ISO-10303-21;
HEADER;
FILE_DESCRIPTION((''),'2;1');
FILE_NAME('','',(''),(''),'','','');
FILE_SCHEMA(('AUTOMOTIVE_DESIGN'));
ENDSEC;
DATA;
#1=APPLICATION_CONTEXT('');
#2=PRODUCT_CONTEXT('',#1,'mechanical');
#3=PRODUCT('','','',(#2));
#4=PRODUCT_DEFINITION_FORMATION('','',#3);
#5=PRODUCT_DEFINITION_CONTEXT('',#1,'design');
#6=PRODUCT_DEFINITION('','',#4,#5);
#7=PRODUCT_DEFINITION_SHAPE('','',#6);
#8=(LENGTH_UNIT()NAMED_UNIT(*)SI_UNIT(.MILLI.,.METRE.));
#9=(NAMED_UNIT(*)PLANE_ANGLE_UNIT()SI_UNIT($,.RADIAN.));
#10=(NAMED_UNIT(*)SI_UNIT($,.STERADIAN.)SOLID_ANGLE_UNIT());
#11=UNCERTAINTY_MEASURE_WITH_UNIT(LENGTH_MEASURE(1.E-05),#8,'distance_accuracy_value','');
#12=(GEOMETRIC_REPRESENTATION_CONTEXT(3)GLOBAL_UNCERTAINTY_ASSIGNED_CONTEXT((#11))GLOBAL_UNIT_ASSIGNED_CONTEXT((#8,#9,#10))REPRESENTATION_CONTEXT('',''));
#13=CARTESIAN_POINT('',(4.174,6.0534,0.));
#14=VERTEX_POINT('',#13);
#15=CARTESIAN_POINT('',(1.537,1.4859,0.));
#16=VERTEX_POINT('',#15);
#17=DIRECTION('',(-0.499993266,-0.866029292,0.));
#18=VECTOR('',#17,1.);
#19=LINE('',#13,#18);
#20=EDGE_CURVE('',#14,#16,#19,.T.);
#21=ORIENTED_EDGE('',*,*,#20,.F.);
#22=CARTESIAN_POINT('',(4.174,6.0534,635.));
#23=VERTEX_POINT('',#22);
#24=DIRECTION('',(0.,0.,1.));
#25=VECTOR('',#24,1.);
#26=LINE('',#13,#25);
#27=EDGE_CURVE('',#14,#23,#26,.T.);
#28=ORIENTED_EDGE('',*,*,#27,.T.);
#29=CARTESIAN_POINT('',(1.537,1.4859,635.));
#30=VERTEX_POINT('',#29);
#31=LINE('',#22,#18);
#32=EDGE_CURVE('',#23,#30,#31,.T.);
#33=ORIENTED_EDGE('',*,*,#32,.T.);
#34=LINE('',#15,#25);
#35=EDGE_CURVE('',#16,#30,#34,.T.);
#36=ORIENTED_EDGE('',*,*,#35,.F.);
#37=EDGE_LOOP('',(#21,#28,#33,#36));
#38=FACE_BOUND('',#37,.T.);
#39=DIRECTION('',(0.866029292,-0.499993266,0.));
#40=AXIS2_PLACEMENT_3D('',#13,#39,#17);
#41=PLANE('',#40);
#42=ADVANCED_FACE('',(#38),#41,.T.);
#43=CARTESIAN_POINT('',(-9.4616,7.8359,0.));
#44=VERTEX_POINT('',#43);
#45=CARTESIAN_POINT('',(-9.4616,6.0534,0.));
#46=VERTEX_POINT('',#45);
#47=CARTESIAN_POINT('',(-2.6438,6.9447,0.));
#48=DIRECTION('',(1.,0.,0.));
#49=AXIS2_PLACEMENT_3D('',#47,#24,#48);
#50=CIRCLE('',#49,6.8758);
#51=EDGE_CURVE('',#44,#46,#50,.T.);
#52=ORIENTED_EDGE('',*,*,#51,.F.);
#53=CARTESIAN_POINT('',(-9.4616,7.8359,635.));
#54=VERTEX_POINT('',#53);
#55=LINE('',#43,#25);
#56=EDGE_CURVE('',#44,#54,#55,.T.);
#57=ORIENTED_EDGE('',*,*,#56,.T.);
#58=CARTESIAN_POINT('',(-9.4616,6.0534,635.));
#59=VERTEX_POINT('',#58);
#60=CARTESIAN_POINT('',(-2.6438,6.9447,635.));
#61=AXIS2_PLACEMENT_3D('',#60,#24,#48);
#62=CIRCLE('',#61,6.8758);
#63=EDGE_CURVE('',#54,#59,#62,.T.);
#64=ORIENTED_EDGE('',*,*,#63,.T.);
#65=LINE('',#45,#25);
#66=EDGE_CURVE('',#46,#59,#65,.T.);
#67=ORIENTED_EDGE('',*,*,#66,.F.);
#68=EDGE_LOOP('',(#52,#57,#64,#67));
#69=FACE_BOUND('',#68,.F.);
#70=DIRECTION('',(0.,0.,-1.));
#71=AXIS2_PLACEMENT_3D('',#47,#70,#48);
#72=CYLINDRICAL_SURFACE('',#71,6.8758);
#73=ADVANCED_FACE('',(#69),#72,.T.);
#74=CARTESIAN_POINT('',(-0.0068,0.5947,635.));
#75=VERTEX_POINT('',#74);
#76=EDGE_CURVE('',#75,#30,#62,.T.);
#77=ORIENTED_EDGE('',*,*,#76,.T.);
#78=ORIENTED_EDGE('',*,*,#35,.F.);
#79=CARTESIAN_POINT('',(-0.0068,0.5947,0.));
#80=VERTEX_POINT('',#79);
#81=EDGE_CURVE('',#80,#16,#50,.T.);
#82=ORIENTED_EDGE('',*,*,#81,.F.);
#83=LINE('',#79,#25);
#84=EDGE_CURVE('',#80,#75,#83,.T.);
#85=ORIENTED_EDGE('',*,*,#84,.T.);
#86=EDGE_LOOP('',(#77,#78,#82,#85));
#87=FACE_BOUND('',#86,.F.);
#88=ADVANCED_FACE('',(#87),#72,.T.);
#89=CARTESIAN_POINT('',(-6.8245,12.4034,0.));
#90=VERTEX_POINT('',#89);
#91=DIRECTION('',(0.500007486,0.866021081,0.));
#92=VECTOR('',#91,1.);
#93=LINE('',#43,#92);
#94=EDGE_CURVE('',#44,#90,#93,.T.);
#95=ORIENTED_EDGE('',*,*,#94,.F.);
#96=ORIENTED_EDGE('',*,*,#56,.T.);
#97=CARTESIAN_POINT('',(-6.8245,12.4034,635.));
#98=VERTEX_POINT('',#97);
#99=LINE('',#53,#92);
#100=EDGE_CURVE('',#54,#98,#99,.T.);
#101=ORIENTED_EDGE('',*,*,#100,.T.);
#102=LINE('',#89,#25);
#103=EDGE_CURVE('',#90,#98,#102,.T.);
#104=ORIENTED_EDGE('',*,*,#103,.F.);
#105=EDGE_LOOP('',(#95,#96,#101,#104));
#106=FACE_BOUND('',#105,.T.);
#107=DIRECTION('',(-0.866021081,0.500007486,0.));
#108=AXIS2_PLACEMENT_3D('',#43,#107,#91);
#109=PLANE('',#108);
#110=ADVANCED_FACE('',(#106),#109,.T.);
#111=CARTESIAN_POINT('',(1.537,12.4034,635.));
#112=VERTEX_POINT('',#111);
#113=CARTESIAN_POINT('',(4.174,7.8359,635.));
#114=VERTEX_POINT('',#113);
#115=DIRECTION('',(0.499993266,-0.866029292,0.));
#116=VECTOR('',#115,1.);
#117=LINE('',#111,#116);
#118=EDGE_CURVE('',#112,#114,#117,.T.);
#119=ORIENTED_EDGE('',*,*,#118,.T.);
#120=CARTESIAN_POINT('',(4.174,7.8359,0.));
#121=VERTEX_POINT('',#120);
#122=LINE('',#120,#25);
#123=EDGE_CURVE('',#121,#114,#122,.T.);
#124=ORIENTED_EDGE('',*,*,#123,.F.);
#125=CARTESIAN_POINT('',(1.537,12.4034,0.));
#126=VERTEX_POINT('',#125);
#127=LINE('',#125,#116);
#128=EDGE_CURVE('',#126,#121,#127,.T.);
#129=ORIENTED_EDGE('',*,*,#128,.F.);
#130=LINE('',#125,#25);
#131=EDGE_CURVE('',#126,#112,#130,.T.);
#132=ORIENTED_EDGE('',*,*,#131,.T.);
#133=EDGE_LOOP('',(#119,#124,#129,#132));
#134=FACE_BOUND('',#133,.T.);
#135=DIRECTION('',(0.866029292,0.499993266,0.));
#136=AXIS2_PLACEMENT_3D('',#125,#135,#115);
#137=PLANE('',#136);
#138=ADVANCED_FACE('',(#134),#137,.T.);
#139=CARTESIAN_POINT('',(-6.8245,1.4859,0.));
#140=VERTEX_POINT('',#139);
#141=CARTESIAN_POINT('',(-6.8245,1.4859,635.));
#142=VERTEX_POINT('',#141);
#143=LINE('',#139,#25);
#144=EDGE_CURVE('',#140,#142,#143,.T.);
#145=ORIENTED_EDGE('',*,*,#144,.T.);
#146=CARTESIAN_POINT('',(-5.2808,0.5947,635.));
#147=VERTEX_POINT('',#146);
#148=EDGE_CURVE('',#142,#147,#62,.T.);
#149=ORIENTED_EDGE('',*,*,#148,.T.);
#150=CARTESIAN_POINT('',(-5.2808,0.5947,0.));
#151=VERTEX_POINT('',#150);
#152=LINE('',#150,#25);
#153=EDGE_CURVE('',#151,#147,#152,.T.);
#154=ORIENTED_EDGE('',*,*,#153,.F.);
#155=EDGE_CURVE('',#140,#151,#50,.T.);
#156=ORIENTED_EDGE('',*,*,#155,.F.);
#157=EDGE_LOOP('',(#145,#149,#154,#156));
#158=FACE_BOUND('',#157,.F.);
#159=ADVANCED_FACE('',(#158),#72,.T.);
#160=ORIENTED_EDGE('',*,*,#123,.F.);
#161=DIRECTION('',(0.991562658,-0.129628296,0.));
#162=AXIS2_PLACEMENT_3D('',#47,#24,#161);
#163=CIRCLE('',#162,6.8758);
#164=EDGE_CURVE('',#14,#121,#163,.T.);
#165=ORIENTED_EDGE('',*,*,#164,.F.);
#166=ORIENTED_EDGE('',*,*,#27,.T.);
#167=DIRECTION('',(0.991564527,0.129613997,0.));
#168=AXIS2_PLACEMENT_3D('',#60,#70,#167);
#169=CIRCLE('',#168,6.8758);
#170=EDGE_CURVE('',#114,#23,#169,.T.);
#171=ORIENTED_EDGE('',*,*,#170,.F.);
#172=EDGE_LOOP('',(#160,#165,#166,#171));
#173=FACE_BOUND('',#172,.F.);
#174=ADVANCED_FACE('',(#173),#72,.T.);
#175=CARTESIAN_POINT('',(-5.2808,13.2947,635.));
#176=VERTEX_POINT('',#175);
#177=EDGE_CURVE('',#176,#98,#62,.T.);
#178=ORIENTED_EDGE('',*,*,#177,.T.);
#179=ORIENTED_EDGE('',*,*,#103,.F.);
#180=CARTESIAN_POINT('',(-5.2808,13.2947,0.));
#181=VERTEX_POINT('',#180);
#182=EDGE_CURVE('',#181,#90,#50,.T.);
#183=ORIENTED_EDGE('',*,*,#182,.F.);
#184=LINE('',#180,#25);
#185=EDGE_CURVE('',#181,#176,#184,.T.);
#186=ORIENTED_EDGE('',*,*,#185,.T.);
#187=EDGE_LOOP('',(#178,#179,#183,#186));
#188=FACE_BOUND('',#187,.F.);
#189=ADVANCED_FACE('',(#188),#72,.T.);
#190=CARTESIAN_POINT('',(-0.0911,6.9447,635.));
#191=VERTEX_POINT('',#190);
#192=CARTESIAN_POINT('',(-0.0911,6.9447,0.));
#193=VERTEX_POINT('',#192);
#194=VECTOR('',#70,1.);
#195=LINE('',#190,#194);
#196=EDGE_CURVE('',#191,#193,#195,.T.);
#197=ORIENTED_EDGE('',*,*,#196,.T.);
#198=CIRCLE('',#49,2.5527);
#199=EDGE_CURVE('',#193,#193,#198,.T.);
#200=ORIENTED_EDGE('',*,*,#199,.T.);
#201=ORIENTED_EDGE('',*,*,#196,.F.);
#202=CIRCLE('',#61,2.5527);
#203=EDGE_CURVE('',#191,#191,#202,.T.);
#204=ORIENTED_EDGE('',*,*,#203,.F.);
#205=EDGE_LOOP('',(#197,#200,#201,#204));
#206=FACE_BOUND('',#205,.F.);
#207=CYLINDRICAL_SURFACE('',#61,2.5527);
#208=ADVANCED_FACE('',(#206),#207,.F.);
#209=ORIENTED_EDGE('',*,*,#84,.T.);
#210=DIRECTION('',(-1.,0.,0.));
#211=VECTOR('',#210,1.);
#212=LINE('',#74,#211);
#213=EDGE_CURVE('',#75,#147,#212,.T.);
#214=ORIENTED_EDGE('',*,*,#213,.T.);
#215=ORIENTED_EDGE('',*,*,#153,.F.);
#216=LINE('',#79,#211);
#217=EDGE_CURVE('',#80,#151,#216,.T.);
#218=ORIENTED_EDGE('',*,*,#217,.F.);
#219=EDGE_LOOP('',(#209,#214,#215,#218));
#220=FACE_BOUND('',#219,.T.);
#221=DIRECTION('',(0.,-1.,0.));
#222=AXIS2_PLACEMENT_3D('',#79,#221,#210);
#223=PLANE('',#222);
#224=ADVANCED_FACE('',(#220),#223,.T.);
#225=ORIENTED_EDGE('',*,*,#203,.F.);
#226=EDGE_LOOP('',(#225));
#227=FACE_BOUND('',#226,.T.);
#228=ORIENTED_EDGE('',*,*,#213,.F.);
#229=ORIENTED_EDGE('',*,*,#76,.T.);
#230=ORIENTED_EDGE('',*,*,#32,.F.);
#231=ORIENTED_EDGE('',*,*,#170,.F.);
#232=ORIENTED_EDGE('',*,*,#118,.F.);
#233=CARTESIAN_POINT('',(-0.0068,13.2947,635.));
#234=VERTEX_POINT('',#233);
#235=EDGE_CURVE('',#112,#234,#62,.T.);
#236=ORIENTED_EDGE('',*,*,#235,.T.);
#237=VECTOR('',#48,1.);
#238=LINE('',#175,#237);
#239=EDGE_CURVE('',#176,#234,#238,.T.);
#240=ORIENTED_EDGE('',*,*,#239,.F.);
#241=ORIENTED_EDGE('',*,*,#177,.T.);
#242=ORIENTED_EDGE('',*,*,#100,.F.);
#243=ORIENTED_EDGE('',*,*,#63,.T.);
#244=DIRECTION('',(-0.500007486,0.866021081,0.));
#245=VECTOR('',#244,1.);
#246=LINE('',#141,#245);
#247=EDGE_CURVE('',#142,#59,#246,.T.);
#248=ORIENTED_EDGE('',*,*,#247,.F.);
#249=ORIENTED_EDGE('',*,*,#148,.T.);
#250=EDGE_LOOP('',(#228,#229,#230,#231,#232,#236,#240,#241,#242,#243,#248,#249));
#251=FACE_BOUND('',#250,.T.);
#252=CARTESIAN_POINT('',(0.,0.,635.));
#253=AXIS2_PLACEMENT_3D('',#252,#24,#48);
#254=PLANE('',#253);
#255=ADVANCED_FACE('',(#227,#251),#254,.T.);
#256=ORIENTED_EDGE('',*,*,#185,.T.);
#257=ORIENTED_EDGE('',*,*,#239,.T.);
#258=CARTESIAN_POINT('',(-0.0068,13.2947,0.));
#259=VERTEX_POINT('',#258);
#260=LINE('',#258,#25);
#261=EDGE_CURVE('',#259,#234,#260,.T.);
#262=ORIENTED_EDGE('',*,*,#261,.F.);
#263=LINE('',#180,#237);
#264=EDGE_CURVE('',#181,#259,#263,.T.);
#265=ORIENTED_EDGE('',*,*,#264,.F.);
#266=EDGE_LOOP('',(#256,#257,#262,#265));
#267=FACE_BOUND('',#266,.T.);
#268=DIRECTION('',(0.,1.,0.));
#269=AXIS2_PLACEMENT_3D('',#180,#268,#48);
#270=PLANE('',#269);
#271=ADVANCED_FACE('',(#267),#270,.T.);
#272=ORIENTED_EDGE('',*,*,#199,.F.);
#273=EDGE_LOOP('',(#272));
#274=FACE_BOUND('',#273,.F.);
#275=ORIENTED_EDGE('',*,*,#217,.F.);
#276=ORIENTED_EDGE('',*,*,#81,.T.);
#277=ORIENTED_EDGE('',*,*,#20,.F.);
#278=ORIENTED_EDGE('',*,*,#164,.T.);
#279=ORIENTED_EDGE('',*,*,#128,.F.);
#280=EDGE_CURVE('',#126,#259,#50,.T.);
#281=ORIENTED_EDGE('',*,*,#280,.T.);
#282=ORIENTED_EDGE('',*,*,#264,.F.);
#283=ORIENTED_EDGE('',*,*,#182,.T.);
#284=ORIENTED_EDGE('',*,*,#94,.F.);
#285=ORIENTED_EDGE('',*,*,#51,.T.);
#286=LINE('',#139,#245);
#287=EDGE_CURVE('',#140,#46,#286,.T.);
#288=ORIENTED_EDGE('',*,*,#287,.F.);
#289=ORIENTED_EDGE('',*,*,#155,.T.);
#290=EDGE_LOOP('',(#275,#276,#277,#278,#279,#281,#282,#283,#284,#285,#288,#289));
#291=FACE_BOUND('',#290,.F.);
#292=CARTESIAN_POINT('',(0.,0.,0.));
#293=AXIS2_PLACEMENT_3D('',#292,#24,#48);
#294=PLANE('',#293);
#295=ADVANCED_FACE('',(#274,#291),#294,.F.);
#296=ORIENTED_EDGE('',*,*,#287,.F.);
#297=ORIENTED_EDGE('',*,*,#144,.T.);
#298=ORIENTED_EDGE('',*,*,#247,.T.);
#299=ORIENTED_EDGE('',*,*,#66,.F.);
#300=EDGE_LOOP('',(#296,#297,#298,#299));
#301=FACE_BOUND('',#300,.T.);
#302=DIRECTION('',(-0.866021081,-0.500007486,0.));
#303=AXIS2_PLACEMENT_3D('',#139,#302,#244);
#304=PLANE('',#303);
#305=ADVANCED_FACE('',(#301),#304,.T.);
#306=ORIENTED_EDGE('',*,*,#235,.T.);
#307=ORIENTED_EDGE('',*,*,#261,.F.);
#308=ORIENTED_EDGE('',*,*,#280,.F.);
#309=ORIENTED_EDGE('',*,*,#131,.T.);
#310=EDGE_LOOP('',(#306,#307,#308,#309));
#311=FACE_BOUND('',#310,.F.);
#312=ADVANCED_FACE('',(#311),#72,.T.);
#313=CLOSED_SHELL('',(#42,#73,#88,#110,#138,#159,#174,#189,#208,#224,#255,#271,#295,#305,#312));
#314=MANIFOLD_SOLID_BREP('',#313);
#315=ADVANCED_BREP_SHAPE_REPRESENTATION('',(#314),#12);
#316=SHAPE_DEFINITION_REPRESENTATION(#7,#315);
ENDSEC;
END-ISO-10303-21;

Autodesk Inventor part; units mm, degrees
ref_plane "YZ Plane" through (0, 0, 0) normal (1, 0, 0) x (0, 1, 0)
ref_plane "XZ Plane" through (0, 0, 0) normal (0, 1, 0) x (-1, 0, 0)
ref_plane "XY Plane" through (0, 0, 0) normal (0, 0, 1) x (1, 0, 0)
sketch "Sketch1" plane through (0, 0, 0) normal (0, 0, 1) x (1, 0, 0)
  circle A0 centre (-2.6438, 6.9447) radius 6.8758
  line L0 (-9.4616, 7.8359) -> (-6.8245, 12.4034)
  line L1 (-6.8245, 1.4859) -> (-9.4616, 6.0534)
  line L2 (-0.0068, 0.5947) -> (-5.2808, 0.5947)
  line L3 (4.174, 6.0534) -> (1.537, 1.4859)
  line L4 (1.537, 12.4034) -> (4.174, 7.8359)
  line L5 (-5.2808, 13.2947) -> (-0.0068, 13.2947)
  point P0 (0, 0)
  point P1 (1.537, 1.4859)
  dimension "d0" = 13.7516
  dimension "d4" = 360
extrude "Extrusion1" add sketch "Sketch1" along normal blind 635 contours A0 L3 L2 L1 L0 L5 L4
sketch "Sketch2" plane through (0, 0, 635) normal (0, 0, 1) x (1, 0, 0)
  circle A0 centre (-2.6438, 6.9447) radius 2.5527
  line L0 (-5.2808, 0.5947) -> (-0.0068, 0.5947) projected
  line L1 (-2.6438, 6.9447) -> (-5.2808, 0.5947) construction
  line L2 (-2.6438, 6.9447) -> (-0.0068, 0.5947) construction
  point P0 (0, 0)
  dimension "d8" = 5.1054
  dimension "d9" = 6.35
extrude "Extrusion2" cut sketch "Sketch2" against normal blind 635
equation "\"d6\" = d5"
equation "\"d10\" = d5"
equation "\"d5\" = 635"
properties part number "25in THUNDERSHAFT"
